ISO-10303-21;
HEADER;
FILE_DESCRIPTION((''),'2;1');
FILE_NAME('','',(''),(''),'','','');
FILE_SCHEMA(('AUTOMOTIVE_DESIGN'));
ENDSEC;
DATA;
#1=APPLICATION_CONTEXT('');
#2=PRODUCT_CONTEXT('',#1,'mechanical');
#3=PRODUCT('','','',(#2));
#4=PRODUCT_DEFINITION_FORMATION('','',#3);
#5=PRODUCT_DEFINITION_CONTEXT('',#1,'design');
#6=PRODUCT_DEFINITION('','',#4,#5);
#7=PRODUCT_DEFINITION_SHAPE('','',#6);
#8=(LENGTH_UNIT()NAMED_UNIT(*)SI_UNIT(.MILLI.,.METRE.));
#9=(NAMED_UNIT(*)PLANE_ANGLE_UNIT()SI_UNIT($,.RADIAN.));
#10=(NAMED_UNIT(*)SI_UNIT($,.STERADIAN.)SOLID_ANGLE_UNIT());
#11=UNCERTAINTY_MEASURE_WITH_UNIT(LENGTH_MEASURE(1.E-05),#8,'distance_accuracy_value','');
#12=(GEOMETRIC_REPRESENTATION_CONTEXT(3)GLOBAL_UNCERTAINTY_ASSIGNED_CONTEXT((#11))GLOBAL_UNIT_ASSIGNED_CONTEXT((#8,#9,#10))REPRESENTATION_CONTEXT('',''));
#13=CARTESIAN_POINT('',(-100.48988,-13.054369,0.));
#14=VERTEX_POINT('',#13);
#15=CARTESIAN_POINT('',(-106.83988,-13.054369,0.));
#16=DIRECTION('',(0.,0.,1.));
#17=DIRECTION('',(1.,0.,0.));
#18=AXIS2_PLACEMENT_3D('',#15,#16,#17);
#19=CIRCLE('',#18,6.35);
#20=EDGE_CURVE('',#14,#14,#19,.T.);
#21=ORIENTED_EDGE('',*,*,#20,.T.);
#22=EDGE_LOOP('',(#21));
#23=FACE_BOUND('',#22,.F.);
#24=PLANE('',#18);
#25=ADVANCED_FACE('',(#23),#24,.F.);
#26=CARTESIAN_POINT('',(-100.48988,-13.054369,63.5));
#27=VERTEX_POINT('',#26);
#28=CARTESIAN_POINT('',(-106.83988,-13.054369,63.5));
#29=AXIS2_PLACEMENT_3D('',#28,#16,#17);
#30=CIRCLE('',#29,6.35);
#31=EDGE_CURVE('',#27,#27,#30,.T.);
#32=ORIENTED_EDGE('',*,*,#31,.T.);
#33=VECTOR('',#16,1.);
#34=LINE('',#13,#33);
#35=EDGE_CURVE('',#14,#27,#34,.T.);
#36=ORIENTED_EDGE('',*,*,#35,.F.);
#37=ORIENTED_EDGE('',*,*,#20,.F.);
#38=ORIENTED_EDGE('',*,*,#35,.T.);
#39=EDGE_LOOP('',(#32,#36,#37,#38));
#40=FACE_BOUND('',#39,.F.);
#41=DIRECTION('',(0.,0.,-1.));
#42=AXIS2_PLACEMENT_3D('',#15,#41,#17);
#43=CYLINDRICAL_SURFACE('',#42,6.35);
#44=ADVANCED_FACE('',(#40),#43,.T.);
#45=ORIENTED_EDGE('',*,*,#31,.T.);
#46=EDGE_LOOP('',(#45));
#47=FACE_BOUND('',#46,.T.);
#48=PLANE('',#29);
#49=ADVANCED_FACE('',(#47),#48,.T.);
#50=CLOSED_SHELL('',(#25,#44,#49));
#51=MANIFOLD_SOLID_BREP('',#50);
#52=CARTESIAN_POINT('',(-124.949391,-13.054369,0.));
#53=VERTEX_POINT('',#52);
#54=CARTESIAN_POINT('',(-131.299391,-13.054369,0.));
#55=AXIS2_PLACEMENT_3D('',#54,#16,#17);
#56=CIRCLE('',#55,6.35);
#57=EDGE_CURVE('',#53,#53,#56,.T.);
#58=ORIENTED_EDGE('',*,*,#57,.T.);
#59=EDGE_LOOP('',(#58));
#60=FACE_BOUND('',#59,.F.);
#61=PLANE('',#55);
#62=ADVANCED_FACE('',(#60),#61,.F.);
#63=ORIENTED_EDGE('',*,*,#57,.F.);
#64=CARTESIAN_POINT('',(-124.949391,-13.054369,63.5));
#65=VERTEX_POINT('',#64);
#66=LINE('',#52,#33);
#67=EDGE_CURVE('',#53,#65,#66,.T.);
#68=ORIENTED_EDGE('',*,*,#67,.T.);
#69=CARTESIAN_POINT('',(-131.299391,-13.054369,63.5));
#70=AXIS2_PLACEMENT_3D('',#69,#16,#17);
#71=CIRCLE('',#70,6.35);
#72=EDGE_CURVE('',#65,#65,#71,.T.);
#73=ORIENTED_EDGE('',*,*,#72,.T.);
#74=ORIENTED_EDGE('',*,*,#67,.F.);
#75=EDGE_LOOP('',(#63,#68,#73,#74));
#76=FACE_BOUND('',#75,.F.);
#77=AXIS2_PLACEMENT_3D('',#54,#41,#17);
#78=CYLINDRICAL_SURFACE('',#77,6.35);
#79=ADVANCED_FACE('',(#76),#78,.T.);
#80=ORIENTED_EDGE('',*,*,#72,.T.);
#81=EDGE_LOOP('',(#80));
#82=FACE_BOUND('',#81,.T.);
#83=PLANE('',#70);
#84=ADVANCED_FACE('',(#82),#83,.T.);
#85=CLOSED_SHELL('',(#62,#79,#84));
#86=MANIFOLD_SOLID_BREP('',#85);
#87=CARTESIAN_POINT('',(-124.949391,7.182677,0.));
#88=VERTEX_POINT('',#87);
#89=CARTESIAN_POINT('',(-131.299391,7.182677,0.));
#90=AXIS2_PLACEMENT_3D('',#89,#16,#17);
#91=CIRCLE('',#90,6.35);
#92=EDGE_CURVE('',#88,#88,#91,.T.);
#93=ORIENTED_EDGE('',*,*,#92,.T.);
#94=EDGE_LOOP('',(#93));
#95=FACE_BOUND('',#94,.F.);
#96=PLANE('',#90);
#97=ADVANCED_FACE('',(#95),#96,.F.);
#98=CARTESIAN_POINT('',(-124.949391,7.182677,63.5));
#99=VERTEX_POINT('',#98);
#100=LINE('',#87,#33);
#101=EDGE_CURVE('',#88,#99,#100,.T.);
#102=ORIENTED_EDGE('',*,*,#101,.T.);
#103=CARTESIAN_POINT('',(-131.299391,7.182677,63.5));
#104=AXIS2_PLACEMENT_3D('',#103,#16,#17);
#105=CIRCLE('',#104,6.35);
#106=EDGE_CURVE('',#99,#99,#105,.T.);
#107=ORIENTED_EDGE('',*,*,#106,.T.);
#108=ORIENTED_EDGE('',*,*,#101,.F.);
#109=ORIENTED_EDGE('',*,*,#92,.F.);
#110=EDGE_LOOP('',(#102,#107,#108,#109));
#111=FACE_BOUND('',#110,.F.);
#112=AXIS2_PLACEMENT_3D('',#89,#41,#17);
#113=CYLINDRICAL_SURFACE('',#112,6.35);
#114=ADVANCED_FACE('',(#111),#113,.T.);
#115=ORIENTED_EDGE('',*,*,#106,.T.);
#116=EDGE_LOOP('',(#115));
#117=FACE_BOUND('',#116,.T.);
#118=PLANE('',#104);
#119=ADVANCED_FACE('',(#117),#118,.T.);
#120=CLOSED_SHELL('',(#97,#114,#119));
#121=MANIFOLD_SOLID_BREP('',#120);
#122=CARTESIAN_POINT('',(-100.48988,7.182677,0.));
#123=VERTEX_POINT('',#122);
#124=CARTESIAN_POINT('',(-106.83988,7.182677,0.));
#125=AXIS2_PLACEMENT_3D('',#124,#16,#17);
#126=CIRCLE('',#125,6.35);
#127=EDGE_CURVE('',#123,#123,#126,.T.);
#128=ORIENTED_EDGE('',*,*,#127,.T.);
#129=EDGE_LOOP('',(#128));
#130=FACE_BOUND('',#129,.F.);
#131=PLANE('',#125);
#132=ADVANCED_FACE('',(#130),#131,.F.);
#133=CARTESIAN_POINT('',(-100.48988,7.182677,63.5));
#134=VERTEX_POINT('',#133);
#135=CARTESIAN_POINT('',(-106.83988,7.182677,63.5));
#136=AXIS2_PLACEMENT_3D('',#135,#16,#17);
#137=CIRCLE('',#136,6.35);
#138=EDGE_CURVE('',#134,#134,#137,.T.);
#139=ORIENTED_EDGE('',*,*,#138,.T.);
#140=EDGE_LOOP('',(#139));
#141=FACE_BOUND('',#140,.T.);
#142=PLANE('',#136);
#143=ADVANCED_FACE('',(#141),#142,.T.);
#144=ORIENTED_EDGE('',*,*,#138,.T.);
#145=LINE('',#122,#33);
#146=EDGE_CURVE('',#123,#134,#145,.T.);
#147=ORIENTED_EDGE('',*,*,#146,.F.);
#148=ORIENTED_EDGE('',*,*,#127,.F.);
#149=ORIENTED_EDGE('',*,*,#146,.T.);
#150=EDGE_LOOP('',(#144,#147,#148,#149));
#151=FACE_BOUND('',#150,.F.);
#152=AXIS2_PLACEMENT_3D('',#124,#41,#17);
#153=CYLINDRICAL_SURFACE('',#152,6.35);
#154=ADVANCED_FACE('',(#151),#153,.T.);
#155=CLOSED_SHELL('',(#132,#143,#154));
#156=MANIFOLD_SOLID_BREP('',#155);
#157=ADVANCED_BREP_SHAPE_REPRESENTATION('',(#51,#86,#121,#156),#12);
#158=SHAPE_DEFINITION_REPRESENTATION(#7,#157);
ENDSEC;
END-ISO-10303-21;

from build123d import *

# Parameters (mm, degrees)
F0_R     = 6.35
F1_DEPTH = 63.5
F2_DEPTH = 63.5


with BuildPart() as f1:
    # F0 (on Top) → F1 (new body)
    with BuildSketch(Plane.XY):
        with Locations((-131.299391, 7.182677)):
            Circle(F0_R)
    extrude(amount=F1_DEPTH)


with BuildPart() as f2:
    # F0 (on Top) → F2 (new body)
    with BuildSketch(Plane.XY):
        with Locations((-106.83988, 7.182677)):
            Circle(F0_R)
        with Locations((-131.299391, -13.054369)):
            Circle(F0_R)
        with Locations((-106.83988, -13.054369)):
            Circle(F0_R)
    extrude(amount=F2_DEPTH)


solid = Compound([f1.part, f2.part])
